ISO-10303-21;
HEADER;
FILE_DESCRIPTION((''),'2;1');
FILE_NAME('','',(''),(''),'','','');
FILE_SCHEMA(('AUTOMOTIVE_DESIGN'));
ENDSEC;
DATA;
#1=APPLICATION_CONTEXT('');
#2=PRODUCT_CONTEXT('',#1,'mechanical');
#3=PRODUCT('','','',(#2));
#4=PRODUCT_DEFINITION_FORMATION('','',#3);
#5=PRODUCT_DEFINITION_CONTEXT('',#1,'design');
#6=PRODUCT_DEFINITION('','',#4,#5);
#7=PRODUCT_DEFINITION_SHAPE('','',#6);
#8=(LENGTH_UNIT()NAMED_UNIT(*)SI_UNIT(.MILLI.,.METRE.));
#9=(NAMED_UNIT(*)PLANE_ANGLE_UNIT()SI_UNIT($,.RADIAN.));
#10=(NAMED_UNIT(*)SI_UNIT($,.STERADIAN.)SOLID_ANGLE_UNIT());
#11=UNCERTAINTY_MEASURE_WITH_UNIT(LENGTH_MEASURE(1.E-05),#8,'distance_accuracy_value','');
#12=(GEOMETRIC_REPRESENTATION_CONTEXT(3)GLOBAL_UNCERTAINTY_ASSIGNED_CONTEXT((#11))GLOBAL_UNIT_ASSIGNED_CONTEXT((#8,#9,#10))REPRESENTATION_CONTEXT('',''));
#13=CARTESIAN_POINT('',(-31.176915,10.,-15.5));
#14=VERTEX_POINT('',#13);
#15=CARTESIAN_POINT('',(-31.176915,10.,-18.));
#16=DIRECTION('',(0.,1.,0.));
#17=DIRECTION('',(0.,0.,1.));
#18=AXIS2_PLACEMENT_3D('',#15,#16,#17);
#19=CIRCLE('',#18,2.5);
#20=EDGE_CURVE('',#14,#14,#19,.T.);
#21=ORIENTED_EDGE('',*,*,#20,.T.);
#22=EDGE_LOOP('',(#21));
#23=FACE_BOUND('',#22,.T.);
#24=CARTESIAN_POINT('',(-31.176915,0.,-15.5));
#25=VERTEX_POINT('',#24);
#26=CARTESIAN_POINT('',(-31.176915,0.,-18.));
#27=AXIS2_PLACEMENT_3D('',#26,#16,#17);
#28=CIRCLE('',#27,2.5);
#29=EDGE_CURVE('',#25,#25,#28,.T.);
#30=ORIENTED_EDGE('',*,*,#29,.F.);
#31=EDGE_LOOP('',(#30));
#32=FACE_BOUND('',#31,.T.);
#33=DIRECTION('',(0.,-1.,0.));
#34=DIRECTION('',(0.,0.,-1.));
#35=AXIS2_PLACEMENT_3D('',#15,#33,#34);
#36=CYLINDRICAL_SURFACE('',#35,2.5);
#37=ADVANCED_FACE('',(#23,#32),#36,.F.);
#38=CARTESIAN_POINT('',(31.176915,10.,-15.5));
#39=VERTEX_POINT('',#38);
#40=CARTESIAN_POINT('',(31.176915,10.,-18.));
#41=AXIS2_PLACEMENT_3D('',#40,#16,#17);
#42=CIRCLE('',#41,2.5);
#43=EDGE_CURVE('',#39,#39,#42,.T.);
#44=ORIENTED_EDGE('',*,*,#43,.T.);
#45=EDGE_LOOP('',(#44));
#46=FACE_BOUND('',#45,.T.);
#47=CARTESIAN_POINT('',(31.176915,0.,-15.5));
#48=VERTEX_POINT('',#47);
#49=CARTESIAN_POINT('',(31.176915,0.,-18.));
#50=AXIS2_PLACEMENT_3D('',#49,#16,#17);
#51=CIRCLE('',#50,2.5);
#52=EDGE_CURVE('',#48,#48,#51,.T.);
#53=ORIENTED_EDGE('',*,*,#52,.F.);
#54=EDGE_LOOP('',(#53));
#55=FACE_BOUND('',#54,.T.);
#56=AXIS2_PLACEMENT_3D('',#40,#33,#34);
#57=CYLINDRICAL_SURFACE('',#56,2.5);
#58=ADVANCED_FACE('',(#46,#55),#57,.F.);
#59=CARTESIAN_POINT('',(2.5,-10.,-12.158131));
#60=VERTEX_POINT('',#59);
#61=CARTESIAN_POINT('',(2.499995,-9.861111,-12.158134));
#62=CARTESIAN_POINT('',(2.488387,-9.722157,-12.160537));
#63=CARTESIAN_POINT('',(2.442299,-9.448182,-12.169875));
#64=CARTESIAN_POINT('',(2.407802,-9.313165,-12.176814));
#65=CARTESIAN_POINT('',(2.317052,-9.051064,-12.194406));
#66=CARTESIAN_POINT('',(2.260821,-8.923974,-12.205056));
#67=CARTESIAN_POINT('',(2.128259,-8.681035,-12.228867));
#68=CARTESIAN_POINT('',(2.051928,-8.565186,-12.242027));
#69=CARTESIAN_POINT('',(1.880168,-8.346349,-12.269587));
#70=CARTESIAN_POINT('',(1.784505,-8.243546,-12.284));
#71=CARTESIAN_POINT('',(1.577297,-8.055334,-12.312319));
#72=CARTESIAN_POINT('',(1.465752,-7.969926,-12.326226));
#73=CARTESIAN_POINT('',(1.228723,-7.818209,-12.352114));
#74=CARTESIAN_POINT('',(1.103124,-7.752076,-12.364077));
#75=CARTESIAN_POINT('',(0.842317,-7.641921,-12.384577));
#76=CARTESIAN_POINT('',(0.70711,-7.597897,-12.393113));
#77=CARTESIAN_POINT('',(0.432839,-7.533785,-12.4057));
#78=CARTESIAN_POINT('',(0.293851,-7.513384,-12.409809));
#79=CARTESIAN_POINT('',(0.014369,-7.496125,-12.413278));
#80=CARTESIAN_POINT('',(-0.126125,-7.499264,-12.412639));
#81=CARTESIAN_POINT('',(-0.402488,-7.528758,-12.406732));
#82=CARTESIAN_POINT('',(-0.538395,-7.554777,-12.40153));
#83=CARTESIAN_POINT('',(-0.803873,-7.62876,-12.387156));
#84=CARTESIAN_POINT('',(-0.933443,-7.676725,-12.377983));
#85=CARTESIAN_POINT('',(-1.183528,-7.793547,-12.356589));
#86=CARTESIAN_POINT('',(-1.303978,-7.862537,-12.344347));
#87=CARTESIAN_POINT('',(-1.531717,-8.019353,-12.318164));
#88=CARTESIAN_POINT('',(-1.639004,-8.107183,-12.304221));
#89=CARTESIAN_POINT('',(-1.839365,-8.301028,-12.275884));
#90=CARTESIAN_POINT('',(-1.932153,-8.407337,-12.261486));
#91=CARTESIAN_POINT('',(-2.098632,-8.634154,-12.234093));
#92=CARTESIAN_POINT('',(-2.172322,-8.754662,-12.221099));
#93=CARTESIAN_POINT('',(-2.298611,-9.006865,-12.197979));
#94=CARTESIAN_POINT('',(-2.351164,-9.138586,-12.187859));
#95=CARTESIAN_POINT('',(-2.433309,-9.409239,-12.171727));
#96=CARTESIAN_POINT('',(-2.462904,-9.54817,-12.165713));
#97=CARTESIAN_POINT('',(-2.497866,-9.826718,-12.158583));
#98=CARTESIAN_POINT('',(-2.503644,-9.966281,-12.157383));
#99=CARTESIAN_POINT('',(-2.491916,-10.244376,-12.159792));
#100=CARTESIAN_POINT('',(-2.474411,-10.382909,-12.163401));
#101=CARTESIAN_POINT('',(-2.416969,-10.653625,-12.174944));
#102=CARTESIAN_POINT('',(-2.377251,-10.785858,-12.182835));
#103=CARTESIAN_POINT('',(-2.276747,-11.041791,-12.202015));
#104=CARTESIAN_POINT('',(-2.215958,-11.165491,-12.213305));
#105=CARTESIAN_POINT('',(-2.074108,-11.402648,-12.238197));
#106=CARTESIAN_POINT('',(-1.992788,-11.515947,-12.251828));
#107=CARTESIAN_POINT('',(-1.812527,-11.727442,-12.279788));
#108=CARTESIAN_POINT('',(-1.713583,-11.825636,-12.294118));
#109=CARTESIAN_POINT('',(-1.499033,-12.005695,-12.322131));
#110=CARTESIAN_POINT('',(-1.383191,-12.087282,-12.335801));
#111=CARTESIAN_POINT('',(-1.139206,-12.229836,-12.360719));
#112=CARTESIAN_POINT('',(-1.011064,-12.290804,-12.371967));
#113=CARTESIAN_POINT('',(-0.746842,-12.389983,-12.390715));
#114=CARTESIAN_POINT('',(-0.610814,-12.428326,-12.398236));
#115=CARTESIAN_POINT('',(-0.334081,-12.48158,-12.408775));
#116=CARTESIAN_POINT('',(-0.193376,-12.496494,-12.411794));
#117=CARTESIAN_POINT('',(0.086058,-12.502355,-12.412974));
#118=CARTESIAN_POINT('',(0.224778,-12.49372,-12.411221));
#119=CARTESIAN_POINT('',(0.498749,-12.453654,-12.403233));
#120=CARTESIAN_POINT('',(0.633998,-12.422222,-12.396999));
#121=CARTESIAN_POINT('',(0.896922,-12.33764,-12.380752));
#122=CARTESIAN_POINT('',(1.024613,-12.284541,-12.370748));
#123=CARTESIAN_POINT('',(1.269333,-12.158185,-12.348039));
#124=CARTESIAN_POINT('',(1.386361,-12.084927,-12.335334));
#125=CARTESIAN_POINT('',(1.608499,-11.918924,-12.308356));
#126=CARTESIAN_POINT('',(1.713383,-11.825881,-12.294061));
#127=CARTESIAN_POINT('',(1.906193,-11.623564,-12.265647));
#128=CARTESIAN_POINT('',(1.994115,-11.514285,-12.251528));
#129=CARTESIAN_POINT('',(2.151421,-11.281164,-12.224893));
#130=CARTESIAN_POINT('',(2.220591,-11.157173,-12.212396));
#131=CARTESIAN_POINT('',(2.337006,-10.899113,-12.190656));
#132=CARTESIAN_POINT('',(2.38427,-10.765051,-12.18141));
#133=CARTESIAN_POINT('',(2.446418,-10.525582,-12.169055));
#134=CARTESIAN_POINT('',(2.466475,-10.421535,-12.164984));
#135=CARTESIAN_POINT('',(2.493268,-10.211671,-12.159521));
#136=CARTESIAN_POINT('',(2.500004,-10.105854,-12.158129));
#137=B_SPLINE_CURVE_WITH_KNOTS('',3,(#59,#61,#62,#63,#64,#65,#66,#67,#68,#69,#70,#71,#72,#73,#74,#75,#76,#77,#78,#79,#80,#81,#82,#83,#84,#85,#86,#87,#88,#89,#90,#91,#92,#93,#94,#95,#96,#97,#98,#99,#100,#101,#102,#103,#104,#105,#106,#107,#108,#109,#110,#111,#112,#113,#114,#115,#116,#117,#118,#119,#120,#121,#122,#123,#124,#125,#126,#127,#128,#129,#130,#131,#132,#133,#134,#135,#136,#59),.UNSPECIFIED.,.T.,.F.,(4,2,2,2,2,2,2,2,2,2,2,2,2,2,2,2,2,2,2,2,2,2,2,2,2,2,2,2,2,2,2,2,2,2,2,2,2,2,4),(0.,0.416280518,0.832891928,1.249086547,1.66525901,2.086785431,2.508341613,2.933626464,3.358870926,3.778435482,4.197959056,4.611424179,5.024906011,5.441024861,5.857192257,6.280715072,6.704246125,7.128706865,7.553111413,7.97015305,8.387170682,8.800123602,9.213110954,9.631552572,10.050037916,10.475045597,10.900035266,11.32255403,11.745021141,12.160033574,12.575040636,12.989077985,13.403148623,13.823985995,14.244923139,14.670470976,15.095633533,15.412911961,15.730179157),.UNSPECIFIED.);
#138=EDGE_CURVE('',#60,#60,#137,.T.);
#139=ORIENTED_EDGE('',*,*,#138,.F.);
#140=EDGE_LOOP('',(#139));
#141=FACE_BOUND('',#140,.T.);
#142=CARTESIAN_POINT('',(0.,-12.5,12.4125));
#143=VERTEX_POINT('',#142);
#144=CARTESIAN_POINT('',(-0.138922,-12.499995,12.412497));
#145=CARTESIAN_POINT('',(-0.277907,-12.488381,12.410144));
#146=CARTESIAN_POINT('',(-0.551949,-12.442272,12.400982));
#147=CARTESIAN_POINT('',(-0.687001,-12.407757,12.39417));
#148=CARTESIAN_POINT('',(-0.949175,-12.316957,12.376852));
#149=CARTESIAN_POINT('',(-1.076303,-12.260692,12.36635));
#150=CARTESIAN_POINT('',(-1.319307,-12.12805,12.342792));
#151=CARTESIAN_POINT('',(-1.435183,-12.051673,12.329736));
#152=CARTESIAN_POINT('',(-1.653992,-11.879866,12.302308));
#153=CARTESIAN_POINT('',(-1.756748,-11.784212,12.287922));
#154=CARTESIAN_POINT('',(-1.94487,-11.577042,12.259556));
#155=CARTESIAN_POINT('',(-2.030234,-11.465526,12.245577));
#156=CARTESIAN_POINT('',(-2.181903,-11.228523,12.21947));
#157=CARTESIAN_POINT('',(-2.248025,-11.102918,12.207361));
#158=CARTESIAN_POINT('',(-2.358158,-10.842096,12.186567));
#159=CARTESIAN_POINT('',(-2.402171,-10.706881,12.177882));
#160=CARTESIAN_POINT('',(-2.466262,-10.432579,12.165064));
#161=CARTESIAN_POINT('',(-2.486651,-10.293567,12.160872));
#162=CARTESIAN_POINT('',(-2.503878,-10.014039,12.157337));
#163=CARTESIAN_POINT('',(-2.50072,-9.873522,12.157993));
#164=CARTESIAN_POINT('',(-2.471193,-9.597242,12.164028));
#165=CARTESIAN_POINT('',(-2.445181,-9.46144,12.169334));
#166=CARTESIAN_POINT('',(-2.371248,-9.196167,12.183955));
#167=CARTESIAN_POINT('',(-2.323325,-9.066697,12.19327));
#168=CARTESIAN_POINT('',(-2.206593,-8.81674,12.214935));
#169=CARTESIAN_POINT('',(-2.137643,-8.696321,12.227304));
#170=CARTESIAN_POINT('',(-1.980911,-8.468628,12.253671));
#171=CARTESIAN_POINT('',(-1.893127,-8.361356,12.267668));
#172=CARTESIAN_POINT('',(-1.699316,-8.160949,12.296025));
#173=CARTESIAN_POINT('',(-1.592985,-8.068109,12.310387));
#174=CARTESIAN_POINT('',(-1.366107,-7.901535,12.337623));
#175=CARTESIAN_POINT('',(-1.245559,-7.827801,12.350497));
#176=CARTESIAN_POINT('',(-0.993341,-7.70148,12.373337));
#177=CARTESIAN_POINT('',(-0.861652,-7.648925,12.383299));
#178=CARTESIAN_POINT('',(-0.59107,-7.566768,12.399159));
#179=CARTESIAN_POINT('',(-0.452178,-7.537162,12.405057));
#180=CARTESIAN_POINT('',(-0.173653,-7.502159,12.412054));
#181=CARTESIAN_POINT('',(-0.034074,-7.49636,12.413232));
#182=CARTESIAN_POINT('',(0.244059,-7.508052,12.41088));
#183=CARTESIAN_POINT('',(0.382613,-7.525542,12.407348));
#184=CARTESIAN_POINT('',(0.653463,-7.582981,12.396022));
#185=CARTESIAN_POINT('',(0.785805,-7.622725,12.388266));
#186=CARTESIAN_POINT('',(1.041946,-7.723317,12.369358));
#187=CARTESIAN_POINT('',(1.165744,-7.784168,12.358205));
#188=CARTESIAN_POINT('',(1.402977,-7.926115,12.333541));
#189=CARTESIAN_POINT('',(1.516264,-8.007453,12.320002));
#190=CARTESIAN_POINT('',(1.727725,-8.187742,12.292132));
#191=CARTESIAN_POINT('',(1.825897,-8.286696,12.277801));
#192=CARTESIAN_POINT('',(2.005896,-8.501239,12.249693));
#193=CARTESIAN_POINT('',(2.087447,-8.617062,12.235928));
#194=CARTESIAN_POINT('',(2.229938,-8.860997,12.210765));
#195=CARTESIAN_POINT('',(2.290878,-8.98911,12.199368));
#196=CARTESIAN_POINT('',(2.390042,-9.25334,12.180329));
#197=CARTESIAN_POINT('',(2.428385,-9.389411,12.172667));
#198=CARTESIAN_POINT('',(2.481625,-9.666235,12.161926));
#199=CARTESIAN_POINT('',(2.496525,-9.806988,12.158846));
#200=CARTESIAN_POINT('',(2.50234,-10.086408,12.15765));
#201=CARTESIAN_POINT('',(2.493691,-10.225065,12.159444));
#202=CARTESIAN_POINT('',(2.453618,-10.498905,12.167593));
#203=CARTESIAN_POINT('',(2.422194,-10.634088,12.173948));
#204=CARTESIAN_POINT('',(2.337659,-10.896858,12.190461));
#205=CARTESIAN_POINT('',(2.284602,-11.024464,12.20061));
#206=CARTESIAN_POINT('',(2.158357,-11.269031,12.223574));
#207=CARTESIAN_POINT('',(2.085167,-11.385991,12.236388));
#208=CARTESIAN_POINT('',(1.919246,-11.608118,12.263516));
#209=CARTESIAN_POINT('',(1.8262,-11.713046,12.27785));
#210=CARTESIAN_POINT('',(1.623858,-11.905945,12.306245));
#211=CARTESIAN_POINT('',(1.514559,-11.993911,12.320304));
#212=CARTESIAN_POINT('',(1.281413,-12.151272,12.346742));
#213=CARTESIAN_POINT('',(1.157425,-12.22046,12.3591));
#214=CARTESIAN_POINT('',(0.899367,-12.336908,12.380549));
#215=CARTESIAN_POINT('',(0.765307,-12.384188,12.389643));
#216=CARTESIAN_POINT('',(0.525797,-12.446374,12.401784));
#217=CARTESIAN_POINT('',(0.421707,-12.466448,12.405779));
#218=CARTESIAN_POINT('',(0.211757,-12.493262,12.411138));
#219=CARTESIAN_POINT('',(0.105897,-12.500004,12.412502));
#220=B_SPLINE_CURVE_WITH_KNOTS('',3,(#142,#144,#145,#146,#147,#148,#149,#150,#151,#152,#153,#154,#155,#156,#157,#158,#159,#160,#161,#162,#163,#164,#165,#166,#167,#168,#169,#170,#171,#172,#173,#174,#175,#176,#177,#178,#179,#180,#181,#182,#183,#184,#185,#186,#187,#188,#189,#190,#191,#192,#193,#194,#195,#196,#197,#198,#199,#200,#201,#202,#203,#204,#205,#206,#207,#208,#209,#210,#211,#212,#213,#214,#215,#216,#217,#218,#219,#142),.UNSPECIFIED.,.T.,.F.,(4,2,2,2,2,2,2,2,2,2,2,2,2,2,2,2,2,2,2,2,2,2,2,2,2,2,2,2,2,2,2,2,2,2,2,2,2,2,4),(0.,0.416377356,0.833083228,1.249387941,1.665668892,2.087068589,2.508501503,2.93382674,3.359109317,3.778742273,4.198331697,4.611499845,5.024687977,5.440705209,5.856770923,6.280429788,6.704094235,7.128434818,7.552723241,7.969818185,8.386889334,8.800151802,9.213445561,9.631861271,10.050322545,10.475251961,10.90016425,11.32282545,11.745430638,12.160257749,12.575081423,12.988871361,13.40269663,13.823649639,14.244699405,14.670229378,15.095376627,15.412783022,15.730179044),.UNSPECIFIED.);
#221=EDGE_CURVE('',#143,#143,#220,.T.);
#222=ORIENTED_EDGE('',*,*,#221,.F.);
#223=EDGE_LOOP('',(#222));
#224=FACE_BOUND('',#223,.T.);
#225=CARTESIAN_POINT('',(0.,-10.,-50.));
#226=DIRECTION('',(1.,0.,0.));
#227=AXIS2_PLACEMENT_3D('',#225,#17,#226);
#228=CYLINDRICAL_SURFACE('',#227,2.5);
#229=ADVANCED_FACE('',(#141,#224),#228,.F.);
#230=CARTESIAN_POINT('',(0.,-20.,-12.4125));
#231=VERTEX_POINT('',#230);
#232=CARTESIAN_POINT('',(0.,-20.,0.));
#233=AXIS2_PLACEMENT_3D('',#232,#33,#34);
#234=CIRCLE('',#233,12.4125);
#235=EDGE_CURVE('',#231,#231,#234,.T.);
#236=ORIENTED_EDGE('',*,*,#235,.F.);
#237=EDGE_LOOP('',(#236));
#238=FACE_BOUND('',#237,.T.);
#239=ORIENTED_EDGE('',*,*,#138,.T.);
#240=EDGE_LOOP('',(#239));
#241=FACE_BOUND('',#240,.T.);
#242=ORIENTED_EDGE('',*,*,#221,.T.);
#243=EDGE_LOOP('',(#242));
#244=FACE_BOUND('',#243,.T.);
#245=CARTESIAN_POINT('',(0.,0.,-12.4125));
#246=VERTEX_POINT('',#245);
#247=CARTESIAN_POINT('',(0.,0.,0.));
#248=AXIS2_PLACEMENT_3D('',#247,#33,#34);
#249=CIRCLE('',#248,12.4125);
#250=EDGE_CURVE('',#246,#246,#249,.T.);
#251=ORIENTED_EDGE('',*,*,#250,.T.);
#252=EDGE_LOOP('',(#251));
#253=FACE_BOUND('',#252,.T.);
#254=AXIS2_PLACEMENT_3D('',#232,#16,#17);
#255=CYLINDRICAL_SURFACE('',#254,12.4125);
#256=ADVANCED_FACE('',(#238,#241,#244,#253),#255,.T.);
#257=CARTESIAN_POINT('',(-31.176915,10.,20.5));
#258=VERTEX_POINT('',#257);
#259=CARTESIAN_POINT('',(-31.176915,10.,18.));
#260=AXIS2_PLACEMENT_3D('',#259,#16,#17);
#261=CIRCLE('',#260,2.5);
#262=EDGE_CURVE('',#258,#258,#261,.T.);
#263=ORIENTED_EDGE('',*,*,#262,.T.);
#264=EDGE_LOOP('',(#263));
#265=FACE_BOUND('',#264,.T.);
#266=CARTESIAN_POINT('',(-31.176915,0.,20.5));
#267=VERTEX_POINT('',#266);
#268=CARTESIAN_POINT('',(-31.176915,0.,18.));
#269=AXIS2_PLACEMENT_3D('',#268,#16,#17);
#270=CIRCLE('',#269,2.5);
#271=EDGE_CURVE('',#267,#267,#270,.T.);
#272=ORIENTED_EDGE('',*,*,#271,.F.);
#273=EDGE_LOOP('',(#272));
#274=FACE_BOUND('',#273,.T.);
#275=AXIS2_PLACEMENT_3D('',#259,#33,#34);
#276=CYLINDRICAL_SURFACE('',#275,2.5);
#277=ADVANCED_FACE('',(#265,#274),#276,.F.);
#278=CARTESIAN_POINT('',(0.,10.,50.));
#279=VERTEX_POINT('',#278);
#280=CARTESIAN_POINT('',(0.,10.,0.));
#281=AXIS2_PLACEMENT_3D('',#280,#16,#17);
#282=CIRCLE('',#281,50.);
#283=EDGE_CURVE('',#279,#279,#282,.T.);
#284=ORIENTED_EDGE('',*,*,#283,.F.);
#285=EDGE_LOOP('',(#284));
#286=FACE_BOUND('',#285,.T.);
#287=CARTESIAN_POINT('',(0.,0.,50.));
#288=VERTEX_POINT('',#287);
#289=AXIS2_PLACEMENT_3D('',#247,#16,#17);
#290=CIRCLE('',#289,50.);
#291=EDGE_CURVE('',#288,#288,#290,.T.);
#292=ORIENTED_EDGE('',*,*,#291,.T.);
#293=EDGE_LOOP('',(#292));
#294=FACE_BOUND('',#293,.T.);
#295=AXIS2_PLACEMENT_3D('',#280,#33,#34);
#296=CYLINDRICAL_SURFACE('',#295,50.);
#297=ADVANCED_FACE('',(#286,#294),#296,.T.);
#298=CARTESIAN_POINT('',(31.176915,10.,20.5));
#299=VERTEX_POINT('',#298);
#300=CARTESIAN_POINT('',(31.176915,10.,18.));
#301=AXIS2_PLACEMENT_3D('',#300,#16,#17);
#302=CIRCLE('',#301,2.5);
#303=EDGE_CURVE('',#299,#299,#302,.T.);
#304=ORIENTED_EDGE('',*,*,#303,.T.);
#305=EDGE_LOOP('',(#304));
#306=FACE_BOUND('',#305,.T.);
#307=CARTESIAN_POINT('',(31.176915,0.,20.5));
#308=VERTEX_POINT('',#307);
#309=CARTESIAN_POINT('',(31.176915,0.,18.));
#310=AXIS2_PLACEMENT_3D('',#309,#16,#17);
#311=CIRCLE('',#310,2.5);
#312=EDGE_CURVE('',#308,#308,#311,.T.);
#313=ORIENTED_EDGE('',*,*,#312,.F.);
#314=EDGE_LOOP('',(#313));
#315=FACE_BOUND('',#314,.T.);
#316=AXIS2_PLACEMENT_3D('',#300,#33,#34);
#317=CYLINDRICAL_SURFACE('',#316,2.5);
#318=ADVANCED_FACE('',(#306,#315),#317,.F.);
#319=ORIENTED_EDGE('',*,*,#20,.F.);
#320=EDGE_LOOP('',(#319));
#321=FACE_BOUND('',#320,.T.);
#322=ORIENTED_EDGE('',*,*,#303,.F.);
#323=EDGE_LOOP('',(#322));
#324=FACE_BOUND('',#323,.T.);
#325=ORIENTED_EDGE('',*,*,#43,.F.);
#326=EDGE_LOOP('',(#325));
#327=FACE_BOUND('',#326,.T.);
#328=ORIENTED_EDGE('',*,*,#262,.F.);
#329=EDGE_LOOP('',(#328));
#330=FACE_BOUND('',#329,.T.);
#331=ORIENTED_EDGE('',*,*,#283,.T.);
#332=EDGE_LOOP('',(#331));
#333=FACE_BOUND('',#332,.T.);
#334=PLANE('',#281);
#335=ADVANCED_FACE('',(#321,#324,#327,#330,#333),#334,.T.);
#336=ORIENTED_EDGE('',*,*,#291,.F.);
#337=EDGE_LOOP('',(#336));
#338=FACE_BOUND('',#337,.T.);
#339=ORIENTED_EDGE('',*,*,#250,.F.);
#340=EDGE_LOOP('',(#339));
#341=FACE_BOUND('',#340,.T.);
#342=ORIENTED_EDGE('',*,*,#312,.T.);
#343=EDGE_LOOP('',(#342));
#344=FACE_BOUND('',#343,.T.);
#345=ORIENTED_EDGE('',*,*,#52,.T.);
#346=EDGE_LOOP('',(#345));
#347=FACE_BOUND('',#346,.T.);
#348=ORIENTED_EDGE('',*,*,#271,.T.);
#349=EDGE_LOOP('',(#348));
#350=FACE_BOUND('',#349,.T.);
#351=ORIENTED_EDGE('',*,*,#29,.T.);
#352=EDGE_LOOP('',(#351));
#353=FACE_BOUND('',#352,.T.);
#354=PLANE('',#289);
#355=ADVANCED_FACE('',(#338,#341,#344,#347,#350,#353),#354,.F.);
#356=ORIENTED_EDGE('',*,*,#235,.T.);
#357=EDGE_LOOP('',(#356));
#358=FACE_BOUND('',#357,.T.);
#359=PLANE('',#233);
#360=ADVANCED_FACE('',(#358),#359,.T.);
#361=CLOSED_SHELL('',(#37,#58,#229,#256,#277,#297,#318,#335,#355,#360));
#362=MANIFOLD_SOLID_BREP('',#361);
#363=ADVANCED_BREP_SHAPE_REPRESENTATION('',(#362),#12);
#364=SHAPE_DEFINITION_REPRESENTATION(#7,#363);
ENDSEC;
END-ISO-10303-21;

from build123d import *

# Parameters (mm, degrees)
SKETCH2_R               = 50
SKETCH2_R_2             = 2.5
BOSS_EXTRUDE1_DEPTH     = 10
SKETCH3_R               = 12.4125
BOSS_EXTRUDE2_DEPTH     = 20
SKETCH4_R               = 2.5
CUT_EXTRUDE1_DEPTH      = 51
CUT_EXTRUDE1_DEPTH_BACK = 51


with BuildPart() as part:
    # Sketch2 → Boss-Extrude1 (new body)
    with BuildSketch(Plane(origin=(0, 0, 0), x_dir=(1, 0, 0), z_dir=(0, 1, 0))):
        Circle(SKETCH2_R)
        with Locations((-31.176914536, 18)):
            Circle(SKETCH2_R_2, mode=Mode.SUBTRACT)
        with Locations((-31.176914536, -18)):
            Circle(SKETCH2_R_2, mode=Mode.SUBTRACT)
        with Locations((31.176914536, 18)):
            Circle(SKETCH2_R_2, mode=Mode.SUBTRACT)
        with Locations((31.176914536, -18)):
            Circle(SKETCH2_R_2, mode=Mode.SUBTRACT)
    extrude(amount=BOSS_EXTRUDE1_DEPTH)

    # Sketch3 → Boss-Extrude2 (add)
    with BuildSketch(Plane.XZ):
        Circle(SKETCH3_R)
    extrude(amount=BOSS_EXTRUDE2_DEPTH)

    # Sketch4 → Cut-Extrude1 (cut, two sides)
    with BuildSketch(Plane.XY) as cut_extrude1_sk:
        with Locations((0, -10)):
            Circle(SKETCH4_R)
    extrude(amount=CUT_EXTRUDE1_DEPTH, mode=Mode.SUBTRACT)
    extrude(cut_extrude1_sk.sketch, amount=-CUT_EXTRUDE1_DEPTH_BACK, mode=Mode.SUBTRACT)


solid = part.part
